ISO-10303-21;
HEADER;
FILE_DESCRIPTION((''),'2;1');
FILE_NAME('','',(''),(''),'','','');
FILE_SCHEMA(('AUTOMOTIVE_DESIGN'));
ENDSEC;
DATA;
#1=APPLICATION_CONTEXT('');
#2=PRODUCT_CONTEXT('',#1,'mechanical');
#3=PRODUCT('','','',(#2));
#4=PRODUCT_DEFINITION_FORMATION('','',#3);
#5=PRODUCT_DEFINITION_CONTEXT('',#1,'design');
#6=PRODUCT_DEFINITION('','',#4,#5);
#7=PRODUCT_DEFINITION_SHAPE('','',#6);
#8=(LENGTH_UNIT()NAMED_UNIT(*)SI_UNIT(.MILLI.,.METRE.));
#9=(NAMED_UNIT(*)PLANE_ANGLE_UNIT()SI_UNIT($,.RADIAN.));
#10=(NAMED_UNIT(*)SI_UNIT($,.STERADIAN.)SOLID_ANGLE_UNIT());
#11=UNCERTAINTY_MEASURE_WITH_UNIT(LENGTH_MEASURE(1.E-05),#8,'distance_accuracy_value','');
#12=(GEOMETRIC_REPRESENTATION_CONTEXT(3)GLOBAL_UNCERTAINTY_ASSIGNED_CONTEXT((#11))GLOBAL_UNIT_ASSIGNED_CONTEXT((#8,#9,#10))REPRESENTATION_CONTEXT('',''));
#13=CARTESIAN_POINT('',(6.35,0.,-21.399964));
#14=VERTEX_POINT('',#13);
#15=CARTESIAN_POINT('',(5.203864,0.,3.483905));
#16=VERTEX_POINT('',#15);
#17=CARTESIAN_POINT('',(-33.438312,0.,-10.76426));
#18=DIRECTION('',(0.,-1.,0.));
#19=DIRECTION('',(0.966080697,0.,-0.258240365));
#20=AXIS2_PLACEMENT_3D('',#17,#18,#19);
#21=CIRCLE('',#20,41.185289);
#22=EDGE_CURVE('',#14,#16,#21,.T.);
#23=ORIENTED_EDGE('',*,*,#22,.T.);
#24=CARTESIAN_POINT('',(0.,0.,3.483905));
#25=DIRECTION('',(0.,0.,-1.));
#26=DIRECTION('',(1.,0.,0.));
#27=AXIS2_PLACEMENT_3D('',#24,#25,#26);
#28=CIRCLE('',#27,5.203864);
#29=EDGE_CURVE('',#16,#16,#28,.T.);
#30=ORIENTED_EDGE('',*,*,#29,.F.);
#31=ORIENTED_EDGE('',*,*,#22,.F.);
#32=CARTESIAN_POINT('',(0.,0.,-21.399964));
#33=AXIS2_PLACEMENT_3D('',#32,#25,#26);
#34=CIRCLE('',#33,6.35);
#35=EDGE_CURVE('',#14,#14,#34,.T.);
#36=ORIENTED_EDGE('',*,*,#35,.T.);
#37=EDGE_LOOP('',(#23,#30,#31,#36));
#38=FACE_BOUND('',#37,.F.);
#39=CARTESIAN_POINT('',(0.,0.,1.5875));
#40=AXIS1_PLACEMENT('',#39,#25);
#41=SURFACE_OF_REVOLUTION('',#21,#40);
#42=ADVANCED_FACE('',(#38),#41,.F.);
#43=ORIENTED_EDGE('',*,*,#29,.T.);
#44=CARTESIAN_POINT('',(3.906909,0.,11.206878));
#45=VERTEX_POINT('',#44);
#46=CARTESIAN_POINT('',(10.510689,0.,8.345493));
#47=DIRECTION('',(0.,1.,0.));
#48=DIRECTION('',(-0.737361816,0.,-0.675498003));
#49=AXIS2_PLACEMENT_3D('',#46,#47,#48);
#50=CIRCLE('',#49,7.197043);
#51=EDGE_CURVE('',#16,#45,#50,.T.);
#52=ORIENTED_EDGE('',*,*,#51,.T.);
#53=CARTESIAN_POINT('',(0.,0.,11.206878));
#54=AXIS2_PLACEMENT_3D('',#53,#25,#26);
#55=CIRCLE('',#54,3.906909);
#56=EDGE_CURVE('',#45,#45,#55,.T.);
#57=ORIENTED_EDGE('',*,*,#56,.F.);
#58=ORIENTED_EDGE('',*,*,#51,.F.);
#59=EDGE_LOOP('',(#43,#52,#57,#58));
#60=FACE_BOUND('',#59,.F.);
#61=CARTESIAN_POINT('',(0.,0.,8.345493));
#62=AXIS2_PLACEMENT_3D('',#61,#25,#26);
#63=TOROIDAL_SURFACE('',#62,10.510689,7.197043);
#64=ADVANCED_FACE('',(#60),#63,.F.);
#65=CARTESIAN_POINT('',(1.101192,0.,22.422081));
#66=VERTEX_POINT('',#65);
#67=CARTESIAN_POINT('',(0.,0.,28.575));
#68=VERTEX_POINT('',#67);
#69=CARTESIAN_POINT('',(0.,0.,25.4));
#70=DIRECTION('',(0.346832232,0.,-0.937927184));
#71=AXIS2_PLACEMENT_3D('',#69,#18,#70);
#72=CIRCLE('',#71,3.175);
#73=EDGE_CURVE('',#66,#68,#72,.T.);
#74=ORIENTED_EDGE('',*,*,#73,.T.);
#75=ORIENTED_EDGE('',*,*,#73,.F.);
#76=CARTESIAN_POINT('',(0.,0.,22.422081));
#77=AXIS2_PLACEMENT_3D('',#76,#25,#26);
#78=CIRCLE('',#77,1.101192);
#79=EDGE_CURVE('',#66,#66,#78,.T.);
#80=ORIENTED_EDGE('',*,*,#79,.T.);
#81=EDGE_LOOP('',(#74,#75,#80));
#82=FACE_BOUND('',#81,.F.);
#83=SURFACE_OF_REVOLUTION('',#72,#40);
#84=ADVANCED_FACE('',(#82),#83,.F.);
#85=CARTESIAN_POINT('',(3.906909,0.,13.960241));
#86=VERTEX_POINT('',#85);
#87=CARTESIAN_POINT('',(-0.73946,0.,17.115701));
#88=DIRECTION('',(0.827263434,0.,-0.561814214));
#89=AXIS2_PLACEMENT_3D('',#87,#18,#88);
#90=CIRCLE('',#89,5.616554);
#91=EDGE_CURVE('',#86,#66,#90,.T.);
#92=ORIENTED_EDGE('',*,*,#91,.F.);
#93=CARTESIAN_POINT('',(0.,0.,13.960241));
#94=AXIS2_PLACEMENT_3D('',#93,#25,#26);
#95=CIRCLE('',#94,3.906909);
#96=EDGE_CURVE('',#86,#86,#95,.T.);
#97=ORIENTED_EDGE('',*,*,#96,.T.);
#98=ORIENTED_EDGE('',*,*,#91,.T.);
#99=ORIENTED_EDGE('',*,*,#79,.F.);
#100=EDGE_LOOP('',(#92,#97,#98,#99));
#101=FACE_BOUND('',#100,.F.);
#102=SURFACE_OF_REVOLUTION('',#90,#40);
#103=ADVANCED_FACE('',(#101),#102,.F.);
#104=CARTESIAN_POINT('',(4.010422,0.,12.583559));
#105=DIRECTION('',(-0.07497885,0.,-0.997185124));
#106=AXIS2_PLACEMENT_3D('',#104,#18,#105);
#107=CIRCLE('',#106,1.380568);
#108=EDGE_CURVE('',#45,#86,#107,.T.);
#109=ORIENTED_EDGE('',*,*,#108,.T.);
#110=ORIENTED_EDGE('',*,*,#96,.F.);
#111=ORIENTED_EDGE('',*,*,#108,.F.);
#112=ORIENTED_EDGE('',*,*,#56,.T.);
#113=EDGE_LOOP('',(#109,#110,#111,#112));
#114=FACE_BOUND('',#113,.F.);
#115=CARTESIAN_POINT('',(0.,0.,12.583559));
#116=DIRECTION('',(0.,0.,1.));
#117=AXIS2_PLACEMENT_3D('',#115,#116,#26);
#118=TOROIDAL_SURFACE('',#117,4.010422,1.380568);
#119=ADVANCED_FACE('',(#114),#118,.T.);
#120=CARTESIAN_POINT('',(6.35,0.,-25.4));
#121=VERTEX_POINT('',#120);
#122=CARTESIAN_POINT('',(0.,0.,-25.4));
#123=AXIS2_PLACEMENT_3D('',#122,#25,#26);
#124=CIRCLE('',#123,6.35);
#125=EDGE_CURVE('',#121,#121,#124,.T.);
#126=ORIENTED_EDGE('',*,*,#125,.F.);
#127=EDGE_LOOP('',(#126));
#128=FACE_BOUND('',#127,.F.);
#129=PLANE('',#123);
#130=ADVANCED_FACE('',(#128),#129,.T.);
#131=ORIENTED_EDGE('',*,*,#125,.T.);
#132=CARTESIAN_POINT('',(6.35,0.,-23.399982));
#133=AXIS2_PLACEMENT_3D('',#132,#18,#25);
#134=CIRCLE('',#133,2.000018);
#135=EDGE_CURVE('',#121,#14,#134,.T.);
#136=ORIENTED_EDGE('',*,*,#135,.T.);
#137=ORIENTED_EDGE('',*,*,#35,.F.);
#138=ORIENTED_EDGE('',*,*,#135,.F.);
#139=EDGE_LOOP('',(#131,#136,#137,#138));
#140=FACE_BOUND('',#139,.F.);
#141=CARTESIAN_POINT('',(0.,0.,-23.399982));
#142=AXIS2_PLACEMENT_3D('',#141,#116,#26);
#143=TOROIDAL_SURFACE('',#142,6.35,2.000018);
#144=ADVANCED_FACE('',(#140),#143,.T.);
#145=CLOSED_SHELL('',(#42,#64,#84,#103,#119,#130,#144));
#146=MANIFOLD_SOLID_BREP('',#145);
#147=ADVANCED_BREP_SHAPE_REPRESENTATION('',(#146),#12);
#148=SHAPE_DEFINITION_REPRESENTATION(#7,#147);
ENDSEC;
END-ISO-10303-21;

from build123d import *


with BuildPart() as f1:
    # F0 (on Front) → F1 (revolve)
    with BuildSketch(Plane.XZ):
        with BuildLine():
            ThreePointArc((3.906909, 13.960241), (4.591679, 18.883362), (1.101192, 22.422081))
            ThreePointArc((1.101192, 22.422081), (3.125341, 25.959345), (0, 28.575))
            Line((0, 28.575), (0, -25.4))
            Line((0, -25.4), (6.35, -25.4))
            ThreePointArc((6.35, -25.4), (8.350018, -23.399982), (6.35, -21.399964))
            ThreePointArc((6.35, -21.399964), (7.703359, -8.869299), (5.203864, 3.483905))
            ThreePointArc((5.203864, 3.483905), (3.413034, 7.153551), (3.906909, 11.206878))
            ThreePointArc((3.906909, 11.206878), (5.39099, 12.58356), (3.906909, 13.960241))
        make_face()
    revolve(axis=Axis((0, 0, 1.5875), (0, 0, -1)))


solid = f1.part
